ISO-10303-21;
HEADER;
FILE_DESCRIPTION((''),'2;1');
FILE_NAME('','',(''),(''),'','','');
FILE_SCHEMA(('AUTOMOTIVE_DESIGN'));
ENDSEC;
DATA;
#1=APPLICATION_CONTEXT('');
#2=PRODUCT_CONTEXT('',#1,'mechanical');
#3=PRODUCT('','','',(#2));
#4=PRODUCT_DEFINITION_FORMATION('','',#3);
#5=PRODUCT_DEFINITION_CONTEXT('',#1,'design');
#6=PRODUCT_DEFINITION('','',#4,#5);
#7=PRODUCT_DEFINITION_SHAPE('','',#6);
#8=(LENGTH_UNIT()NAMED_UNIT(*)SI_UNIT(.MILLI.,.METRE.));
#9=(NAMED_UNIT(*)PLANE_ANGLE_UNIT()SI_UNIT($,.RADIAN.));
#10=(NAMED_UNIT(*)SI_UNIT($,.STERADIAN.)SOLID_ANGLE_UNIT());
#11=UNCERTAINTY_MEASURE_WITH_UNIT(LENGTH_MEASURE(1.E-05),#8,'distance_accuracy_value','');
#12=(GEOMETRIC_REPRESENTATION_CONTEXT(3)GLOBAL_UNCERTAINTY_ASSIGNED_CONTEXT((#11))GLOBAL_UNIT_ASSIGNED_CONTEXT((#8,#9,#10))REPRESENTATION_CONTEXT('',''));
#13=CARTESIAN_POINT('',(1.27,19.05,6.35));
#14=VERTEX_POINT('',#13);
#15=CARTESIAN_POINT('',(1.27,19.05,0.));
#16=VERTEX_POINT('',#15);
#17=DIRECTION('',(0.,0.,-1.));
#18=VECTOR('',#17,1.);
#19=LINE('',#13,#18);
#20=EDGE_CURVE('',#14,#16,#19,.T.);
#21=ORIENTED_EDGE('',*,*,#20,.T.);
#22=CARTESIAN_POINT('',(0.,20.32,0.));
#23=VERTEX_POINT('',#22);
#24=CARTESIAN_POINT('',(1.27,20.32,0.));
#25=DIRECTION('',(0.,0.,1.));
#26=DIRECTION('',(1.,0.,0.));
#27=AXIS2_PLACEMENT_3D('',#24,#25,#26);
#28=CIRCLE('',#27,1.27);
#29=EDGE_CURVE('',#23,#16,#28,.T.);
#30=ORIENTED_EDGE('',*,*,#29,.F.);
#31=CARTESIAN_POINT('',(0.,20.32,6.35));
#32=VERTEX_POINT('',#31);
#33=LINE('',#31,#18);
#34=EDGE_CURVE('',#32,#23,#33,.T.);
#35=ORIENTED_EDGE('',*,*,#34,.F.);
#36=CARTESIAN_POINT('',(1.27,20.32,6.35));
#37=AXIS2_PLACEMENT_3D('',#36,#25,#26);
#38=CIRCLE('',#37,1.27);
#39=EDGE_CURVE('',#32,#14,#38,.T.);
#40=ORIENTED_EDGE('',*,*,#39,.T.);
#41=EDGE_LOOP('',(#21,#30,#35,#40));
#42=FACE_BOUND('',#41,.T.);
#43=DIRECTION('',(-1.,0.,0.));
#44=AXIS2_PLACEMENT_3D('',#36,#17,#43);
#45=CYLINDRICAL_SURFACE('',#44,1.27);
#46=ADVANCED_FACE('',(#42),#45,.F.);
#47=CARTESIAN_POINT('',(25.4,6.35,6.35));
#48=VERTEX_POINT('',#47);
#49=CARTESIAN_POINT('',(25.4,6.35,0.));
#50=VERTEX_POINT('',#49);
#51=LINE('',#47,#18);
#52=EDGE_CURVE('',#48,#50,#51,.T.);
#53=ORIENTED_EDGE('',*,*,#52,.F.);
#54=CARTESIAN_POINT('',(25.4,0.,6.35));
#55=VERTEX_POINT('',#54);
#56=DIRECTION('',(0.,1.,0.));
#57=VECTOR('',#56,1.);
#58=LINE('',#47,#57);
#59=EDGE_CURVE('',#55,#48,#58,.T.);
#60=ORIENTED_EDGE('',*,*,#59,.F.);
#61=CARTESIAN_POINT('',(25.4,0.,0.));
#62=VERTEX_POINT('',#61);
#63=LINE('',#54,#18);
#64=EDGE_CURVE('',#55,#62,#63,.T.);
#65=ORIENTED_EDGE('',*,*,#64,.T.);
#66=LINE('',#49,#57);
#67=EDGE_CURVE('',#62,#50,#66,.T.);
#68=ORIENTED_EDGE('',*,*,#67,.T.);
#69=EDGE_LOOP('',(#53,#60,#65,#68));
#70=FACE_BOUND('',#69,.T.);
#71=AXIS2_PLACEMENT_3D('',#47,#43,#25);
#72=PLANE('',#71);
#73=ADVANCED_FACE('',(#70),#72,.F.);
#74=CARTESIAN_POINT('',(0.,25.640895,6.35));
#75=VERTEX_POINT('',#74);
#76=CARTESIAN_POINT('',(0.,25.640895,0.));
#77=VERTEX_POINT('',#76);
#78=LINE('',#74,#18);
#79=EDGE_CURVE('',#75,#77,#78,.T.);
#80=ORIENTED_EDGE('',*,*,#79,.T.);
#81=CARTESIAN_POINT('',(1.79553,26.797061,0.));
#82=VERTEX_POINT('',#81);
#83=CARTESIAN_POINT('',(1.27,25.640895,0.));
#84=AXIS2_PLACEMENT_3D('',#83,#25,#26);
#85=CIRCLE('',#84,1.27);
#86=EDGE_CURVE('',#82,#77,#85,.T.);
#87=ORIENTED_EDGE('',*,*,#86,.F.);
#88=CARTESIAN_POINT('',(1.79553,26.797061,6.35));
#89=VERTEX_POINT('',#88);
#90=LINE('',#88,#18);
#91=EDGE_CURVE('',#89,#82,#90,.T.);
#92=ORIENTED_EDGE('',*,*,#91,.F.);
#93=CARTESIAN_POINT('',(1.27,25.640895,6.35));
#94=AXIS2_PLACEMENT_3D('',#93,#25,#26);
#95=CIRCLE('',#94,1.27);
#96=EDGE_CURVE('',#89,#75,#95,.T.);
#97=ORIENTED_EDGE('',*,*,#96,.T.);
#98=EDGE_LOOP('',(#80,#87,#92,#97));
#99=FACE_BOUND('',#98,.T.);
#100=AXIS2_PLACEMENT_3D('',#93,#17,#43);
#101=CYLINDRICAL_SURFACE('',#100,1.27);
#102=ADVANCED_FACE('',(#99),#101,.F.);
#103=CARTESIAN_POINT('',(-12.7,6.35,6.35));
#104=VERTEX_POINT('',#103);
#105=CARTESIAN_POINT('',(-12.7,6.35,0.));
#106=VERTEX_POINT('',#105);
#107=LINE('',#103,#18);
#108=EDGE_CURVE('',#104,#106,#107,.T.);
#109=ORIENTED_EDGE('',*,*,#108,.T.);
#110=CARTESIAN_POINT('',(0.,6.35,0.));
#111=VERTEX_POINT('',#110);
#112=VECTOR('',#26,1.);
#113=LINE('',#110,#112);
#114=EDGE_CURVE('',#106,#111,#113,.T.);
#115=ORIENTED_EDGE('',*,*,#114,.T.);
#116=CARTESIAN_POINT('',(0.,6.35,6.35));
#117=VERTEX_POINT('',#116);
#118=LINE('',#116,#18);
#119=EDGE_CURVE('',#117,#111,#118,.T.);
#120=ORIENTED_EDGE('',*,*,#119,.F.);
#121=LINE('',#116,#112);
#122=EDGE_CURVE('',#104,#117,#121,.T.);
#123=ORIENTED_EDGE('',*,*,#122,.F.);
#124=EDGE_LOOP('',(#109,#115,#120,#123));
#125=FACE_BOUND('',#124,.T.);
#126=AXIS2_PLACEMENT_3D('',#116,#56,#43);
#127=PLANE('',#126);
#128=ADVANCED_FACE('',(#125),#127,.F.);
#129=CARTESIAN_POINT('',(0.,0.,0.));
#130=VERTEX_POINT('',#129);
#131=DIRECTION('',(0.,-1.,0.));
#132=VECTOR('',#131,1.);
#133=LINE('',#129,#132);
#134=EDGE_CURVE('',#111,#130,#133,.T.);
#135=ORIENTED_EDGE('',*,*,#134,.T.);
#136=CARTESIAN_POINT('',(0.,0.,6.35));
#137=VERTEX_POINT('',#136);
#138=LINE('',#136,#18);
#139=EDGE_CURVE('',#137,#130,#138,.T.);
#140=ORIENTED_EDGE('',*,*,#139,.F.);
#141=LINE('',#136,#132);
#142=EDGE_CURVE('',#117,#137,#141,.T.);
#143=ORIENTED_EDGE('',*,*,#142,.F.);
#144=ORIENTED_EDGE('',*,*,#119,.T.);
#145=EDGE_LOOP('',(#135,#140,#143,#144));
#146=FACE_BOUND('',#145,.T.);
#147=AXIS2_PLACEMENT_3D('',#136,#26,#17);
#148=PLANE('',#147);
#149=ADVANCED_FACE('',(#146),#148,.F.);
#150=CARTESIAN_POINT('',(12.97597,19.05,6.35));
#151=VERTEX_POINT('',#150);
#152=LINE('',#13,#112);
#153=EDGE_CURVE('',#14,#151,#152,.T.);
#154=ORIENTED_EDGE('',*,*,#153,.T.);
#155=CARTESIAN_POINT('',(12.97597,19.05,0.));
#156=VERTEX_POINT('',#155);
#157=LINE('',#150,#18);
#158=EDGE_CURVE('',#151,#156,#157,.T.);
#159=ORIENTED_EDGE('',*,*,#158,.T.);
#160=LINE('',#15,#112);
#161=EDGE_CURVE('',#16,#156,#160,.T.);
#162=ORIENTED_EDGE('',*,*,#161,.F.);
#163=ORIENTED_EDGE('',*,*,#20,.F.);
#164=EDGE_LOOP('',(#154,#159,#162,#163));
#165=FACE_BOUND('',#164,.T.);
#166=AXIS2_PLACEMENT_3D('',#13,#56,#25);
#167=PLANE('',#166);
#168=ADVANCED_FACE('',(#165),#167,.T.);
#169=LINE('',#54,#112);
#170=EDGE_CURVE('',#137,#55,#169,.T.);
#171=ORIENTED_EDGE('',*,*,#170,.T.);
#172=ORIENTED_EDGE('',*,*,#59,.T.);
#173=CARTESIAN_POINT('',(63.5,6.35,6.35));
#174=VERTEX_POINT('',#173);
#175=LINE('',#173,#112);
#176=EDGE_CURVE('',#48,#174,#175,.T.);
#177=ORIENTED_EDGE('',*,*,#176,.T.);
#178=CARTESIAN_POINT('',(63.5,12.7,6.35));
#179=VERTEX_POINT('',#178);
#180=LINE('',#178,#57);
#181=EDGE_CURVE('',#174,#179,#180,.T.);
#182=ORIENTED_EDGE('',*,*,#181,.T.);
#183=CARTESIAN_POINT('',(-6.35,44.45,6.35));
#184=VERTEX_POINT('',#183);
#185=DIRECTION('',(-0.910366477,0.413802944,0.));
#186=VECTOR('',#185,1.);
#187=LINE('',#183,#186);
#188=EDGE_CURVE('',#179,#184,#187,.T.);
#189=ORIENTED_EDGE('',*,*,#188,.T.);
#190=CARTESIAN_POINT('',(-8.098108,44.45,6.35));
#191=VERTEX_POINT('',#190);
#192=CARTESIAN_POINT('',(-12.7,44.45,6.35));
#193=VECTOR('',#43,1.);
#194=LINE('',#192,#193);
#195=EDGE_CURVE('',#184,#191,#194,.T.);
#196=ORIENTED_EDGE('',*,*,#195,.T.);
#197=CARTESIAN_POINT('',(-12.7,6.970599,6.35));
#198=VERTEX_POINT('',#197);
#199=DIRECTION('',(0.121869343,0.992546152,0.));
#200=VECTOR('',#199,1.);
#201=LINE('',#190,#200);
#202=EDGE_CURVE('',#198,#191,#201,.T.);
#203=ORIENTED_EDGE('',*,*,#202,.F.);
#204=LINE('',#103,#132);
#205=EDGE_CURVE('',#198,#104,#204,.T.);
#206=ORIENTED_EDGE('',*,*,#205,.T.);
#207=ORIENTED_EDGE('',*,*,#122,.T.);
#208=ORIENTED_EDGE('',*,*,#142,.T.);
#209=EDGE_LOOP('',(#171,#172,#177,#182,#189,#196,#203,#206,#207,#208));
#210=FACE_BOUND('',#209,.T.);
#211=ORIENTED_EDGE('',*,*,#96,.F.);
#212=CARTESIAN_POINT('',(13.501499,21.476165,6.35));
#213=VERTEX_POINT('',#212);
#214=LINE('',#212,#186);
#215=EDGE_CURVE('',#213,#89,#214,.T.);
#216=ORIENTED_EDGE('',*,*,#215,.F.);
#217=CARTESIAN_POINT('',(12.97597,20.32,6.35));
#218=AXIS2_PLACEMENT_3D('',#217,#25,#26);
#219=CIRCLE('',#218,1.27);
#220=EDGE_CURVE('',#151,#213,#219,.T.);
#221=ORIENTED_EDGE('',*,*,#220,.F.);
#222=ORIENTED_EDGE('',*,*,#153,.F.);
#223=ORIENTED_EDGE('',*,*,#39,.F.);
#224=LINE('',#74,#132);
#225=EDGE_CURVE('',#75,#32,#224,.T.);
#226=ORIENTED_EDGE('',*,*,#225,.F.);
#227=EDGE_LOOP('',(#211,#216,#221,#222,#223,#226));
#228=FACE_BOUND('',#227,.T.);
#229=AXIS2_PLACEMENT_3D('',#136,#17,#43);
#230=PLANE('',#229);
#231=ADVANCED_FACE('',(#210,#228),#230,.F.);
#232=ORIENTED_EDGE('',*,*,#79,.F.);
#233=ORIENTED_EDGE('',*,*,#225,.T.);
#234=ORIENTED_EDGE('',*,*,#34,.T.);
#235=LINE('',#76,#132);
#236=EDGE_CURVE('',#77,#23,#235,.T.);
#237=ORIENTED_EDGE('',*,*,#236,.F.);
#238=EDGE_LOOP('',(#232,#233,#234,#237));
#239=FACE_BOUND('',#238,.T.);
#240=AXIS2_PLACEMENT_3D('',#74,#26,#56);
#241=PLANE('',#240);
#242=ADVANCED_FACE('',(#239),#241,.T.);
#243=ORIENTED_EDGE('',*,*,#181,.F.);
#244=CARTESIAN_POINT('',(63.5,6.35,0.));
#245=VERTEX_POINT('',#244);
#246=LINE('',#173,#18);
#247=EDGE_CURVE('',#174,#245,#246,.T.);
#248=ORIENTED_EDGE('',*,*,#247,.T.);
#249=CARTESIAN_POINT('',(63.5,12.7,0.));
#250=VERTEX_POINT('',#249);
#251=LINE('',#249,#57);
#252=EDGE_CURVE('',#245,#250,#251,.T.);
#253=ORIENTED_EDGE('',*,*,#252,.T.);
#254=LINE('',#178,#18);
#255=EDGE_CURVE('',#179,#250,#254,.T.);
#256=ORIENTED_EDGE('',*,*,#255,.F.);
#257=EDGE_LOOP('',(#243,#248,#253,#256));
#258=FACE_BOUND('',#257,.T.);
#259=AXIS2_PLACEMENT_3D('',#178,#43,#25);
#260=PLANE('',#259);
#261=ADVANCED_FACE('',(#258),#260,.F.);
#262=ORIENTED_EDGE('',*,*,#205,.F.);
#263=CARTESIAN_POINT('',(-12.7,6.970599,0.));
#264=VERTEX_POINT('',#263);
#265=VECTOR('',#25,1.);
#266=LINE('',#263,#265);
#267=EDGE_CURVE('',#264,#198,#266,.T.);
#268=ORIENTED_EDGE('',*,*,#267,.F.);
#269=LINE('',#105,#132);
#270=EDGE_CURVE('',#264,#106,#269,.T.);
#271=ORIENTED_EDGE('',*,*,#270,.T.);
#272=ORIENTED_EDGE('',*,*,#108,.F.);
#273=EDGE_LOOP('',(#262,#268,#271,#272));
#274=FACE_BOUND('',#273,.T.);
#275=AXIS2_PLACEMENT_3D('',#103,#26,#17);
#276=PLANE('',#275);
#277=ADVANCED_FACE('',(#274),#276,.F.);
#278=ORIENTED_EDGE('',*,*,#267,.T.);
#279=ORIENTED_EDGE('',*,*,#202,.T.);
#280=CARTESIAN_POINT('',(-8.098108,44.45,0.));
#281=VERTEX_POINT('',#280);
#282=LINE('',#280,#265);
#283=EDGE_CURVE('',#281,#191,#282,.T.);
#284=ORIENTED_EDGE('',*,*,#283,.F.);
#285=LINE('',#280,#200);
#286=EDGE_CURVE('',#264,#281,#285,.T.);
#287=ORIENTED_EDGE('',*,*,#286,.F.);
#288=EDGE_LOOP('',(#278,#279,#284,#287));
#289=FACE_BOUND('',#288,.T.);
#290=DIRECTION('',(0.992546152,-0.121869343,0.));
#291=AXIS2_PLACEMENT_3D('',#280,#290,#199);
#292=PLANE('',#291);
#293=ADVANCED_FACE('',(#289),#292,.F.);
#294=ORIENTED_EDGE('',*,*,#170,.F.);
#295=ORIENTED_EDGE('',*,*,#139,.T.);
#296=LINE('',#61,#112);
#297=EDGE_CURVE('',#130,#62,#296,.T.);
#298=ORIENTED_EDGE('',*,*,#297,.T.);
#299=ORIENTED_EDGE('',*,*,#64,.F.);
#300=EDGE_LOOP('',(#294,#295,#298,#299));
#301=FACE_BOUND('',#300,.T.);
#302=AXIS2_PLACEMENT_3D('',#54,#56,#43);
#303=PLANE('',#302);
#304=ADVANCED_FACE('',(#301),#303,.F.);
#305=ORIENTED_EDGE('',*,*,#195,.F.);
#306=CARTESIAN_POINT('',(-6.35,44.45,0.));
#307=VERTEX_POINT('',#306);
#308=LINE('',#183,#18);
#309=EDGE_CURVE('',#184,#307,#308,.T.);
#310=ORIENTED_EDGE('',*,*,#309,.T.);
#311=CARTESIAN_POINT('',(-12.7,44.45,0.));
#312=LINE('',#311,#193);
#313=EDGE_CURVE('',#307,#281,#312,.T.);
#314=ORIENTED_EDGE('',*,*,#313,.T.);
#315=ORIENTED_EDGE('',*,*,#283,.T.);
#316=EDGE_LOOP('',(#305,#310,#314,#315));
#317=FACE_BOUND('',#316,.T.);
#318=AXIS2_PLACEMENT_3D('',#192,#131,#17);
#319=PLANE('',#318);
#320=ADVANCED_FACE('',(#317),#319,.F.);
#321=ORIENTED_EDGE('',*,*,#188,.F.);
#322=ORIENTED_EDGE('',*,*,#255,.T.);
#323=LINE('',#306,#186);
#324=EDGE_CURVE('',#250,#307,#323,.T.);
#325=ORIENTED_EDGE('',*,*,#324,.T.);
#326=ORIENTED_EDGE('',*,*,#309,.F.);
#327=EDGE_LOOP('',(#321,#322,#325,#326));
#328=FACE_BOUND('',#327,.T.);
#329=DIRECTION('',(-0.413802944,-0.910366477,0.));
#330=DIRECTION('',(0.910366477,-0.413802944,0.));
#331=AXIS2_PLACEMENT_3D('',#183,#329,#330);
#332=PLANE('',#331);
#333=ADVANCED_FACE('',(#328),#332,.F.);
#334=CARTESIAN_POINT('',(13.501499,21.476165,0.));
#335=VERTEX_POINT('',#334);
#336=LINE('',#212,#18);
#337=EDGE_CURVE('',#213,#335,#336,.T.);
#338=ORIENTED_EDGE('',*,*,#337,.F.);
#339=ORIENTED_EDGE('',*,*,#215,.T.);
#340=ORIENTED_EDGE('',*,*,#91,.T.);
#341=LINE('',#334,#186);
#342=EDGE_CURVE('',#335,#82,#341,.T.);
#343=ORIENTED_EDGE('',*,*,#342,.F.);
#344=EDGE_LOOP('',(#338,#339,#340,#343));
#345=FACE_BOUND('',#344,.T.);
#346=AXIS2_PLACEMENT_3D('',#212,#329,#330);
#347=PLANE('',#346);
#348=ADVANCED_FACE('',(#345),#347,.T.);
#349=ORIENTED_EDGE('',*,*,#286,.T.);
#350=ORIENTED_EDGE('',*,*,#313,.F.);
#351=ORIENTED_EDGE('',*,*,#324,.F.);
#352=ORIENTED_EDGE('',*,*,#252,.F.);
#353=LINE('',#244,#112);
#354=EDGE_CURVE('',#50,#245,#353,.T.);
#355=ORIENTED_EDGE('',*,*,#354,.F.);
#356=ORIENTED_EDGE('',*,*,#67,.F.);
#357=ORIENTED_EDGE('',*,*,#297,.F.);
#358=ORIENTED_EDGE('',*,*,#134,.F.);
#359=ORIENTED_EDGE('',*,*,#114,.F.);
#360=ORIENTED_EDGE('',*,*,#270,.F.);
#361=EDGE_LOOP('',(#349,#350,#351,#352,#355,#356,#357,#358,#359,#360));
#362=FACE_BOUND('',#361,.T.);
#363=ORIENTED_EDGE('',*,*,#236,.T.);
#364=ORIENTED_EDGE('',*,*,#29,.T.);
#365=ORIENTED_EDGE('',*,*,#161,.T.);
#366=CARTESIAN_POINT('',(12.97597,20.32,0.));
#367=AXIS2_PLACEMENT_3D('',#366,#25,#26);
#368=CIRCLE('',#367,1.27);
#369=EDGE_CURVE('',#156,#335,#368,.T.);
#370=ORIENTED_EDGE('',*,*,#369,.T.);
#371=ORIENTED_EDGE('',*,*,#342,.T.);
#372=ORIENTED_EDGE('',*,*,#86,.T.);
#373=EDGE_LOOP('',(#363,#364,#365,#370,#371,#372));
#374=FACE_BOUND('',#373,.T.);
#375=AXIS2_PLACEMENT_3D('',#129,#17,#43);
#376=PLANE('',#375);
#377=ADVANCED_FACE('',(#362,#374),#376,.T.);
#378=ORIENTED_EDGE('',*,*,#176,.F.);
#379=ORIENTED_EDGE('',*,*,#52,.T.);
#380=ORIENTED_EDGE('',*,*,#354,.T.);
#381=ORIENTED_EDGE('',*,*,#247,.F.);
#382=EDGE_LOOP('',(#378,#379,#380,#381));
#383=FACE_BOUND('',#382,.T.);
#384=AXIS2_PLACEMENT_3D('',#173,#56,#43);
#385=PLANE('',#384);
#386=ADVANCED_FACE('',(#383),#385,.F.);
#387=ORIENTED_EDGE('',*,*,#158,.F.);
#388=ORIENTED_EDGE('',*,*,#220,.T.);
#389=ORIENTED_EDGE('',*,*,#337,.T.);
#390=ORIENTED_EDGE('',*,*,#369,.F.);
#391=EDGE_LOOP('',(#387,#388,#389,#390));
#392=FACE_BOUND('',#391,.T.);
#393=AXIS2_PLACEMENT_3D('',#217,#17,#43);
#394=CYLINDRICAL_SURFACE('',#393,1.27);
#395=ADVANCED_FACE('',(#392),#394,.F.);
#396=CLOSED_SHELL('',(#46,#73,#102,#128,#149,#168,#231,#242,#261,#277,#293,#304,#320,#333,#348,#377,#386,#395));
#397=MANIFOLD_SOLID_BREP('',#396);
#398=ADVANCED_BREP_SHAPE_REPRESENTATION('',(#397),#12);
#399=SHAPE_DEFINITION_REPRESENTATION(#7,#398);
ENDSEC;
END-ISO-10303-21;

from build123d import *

# Parameters (mm, degrees)
BOSS_EXTRUDE1_DEPTH = 6.35
CUT_EXTRUDE1_DEPTH  = 78.771299333


with BuildPart() as part:
    # Sketch2 → Boss-Extrude1 (new body)
    with BuildSketch(Plane.XY):
        Polygon((0, 0), (0, 6.35), (-12.7, 6.35), (-12.7, 44.45), (-6.35, 44.45), (63.5, 12.7), (63.5, 6.35), (25.4, 6.35), (25.4, 0), align=None)
        with BuildLine():
            Line((0, 25.64089525), (0, 20.32))
            ThreePointArc((0, 20.32), (0.371974388, 19.421974388), (1.27, 19.05))
            Line((1.27, 19.05), (12.97596955, 19.05))
            ThreePointArc((12.97596955, 19.05), (14.217184699, 20.051141386), (13.501499289, 21.476165426))
            Line((13.501499289, 21.476165426), (1.795529739, 26.797060676))
            ThreePointArc((1.795529739, 26.797060676), (0.5824401, 26.708678648), (0, 25.64089525))
        make_face(mode=Mode.SUBTRACT)
    extrude(amount=BOSS_EXTRUDE1_DEPTH)

    # Sketch3 → Cut-Extrude1 (cut, through all)
    with BuildSketch(Plane.XY.offset(6.35)):
        Polygon((-8.09810823, 44.45), (-12.7, 6.970599198), (-12.7, 44.45), align=None)
    extrude(amount=-CUT_EXTRUDE1_DEPTH, mode=Mode.SUBTRACT)


solid = part.part
